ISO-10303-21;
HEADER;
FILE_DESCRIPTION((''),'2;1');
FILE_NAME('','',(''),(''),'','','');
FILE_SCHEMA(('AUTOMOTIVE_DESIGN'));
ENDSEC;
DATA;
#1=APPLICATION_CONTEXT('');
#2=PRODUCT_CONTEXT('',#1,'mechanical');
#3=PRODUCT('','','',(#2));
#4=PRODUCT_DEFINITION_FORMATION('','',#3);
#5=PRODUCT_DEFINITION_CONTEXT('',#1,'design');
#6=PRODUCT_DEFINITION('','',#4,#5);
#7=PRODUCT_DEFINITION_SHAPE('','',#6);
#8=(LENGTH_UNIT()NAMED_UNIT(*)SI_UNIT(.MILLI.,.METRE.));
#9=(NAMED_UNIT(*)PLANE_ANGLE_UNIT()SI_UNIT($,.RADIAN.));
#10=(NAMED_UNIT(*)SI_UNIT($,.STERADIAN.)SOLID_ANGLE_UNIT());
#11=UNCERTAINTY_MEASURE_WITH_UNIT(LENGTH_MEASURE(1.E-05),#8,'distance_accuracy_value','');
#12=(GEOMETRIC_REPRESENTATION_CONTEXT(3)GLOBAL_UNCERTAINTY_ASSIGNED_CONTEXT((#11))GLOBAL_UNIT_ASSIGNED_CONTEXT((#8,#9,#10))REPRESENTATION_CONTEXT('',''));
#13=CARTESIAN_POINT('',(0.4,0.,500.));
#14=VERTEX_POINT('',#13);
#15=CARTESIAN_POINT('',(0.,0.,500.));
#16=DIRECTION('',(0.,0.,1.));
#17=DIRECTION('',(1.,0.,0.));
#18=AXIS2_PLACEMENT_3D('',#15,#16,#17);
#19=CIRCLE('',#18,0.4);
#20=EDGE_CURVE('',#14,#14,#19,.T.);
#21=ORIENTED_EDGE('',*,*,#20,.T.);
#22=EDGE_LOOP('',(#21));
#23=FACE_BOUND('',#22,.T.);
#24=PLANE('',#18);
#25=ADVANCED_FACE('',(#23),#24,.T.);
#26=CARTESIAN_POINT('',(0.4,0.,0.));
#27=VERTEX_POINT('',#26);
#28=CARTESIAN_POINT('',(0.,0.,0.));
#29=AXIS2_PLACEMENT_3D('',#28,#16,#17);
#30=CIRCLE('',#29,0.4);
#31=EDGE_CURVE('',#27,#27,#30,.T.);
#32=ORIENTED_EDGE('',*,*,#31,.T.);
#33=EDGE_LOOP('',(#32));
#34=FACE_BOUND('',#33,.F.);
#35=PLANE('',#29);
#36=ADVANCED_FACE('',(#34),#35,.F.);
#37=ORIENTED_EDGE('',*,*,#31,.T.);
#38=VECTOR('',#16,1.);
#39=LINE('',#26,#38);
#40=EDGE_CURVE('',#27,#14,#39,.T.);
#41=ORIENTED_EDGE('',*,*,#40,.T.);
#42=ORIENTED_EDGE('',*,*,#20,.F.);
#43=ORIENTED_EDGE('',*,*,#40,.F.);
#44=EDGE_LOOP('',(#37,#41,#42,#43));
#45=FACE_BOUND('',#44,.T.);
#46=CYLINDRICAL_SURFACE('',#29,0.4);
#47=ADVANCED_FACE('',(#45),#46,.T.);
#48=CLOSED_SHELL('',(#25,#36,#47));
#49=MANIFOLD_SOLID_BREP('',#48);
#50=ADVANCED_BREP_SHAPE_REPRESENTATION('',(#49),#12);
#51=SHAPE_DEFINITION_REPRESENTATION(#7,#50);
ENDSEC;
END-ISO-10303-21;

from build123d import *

# Parameters (mm, degrees)
F1_R = 0.4


with BuildPart() as f2:
    # F2: sweep along a path in F0
    with BuildLine(Plane.YZ) as f2_path:
        Line((0, 0), (0, 500))
    # F1 (on Top) → F2 (sweep)
    with BuildSketch(Plane.XY):
        Circle(F1_R)
    sweep(path=f2_path.line)


solid = f2.part
